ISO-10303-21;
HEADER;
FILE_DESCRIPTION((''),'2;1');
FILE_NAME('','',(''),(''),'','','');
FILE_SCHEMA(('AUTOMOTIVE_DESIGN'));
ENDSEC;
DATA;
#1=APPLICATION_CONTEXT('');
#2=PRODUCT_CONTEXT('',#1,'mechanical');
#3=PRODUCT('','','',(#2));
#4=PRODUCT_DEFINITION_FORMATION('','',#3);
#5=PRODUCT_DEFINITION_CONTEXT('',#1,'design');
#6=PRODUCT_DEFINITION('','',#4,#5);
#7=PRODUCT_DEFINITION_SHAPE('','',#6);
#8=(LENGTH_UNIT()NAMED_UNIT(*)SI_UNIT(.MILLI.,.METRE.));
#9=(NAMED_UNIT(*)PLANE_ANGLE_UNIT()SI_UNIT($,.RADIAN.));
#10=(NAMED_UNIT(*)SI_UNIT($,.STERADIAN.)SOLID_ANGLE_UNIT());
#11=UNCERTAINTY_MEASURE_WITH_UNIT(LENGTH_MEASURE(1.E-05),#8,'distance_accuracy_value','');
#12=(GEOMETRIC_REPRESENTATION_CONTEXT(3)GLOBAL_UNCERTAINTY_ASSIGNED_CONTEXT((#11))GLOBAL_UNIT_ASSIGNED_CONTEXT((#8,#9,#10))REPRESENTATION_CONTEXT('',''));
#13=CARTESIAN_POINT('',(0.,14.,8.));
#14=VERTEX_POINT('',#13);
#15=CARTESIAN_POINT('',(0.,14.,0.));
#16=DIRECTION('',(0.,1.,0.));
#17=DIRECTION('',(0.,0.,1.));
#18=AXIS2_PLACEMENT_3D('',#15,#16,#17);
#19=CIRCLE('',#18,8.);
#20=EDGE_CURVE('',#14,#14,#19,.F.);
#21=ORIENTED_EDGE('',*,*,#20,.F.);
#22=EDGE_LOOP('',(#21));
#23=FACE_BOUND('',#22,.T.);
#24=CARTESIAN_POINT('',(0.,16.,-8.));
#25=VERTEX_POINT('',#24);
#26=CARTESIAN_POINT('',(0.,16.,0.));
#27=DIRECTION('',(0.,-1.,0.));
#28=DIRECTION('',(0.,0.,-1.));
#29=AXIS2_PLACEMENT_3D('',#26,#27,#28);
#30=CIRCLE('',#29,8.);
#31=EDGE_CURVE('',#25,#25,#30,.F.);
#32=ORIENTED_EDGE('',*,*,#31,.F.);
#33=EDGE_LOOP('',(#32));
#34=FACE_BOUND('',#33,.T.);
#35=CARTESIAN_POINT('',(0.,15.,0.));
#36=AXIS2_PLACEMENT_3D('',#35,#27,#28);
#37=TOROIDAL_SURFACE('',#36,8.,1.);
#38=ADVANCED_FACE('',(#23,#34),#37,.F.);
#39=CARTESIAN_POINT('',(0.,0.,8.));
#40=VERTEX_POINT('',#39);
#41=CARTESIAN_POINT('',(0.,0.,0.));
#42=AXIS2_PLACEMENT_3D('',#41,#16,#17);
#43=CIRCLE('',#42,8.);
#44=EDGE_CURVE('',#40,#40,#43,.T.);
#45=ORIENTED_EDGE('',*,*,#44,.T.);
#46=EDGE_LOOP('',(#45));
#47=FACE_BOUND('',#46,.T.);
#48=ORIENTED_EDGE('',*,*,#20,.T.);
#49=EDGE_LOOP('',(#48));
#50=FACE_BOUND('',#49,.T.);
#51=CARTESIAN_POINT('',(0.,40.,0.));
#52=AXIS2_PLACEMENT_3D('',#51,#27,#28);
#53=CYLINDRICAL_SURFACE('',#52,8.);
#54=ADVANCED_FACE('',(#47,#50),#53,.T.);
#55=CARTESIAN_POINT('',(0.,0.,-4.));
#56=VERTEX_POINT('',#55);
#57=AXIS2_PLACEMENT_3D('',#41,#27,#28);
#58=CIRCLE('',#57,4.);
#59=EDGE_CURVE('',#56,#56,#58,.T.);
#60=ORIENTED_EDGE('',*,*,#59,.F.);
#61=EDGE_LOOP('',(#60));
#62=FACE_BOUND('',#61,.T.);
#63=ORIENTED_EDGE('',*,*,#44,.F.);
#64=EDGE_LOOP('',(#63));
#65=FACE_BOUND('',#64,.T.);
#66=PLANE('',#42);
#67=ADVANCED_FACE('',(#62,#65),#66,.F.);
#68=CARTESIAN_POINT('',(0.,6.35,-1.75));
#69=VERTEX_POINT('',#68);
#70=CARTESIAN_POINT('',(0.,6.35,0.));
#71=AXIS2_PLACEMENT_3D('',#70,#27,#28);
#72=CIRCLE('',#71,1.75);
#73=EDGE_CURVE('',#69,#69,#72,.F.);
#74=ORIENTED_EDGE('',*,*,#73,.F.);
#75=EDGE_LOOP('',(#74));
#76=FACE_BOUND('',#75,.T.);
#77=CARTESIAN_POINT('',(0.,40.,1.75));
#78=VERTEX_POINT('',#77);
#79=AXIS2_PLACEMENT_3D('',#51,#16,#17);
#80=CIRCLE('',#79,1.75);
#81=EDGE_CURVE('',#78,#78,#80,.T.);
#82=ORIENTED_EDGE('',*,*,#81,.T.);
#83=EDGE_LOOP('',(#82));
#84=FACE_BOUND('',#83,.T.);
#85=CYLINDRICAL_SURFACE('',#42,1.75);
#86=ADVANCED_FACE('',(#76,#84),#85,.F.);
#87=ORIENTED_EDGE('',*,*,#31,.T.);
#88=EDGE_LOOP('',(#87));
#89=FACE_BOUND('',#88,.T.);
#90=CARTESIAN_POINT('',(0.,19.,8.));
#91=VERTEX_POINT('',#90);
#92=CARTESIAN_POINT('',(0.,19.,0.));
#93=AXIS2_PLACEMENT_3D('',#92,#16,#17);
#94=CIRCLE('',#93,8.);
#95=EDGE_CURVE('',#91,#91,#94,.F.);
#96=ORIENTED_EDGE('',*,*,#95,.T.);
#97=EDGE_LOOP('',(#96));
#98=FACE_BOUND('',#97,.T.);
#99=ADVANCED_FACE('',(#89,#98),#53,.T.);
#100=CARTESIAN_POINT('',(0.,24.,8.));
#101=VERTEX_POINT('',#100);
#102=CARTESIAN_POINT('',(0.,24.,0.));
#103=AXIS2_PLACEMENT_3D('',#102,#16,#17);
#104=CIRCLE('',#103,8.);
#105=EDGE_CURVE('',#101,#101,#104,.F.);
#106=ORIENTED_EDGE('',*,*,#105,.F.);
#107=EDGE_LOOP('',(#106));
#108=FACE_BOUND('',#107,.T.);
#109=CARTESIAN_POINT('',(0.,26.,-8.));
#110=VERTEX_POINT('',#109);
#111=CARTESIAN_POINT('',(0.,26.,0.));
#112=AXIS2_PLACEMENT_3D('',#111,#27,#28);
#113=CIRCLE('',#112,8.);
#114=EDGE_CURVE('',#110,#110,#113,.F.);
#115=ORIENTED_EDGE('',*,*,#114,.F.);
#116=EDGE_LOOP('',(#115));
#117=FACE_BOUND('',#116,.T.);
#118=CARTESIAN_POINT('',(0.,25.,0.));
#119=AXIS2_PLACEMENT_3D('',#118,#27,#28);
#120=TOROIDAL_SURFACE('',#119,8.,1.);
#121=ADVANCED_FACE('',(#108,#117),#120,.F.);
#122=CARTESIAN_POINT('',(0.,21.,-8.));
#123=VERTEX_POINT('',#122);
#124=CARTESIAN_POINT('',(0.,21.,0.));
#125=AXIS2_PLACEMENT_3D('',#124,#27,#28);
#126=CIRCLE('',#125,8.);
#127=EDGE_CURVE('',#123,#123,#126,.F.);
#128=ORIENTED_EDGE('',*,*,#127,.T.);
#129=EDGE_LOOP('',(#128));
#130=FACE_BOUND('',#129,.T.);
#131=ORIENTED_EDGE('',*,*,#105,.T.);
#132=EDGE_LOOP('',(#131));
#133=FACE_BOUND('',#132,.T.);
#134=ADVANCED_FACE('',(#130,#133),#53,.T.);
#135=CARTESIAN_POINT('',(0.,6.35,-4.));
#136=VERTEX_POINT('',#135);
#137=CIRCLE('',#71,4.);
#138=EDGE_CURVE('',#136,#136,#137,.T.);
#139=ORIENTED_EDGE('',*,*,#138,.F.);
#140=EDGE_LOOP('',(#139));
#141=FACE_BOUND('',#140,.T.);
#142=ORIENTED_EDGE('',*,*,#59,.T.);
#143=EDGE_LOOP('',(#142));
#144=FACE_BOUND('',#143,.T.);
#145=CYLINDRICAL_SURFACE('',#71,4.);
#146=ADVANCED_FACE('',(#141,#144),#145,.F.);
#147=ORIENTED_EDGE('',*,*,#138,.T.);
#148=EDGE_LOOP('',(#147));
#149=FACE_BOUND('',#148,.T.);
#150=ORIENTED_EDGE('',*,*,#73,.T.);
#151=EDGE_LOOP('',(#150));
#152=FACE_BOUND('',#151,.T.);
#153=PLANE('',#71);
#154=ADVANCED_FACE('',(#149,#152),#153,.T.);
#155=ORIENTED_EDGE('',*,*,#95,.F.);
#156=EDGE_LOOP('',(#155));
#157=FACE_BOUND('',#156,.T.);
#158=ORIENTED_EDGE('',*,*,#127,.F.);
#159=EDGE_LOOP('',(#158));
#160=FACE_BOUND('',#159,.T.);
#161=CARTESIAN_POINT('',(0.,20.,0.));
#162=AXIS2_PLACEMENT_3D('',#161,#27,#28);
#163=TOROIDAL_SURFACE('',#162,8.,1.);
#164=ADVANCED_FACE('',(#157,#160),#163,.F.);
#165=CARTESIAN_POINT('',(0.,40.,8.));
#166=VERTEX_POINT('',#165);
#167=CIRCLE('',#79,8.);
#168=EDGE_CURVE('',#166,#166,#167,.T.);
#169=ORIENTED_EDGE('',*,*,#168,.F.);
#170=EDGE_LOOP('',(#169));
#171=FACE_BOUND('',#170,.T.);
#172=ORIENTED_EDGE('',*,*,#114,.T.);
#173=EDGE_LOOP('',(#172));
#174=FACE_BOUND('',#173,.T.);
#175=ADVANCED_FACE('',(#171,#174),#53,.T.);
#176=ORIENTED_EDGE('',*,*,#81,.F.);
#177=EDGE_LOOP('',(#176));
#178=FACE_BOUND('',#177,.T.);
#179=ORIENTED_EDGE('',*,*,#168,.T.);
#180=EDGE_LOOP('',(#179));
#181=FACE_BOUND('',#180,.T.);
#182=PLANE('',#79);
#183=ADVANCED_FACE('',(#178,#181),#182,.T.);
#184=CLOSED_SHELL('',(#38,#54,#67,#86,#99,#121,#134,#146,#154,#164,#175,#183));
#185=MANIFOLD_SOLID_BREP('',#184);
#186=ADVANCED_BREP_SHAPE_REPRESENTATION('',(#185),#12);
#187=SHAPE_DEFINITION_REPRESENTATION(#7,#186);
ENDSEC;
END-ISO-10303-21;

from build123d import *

# Parameters (mm, degrees)
SKETCH1_R      = 8
EXTRUDE1_DEPTH = 40
SKETCH2_R      = 1.75
EXTRUDE2_DEPTH = 40
SKETCH3_R      = 4
EXTRUDE3_DEPTH = 6.35
SKETCH4_R      = 1


with BuildPart() as part:
    # Sketch1 → Extrude1 (new body)
    with BuildSketch(Plane(origin=(0, 0, 0), x_dir=(1, 0, 0), z_dir=(0, 1, 0))):
        Circle(SKETCH1_R)
    extrude(amount=EXTRUDE1_DEPTH)

    # Sketch2 → Extrude2 (cut)
    with BuildSketch(Plane(origin=(0, 40, 0), x_dir=(-1, 0, 0), z_dir=(0, 1, 0))):
        Circle(SKETCH2_R)
    extrude(amount=-EXTRUDE2_DEPTH, mode=Mode.SUBTRACT)

    # Sketch3 → Extrude3 (cut)
    with BuildSketch(Plane.XZ):
        Circle(SKETCH3_R)
    extrude(amount=-EXTRUDE3_DEPTH, mode=Mode.SUBTRACT)

    # Cut-Sweep1: sweep along a path in Sketch6
    with BuildLine(Plane(origin=(0, 15, 0), x_dir=(-1, 0, 0), z_dir=(0, 1, 0))) as cut_sweep1_path:
        CenterArc((0, 0), 8, 0, 360)
    # Sketch4 → Cut-Sweep1 (sweep, cut)
    with BuildSketch(Plane.XY):
        with Locations((8, 20)):
            Circle(SKETCH4_R)
        with Locations((8, 25)):
            Circle(SKETCH4_R)
        with Locations((8, 15)):
            Circle(SKETCH4_R)
    sweep(path=cut_sweep1_path.line, mode=Mode.SUBTRACT)


solid = part.part
